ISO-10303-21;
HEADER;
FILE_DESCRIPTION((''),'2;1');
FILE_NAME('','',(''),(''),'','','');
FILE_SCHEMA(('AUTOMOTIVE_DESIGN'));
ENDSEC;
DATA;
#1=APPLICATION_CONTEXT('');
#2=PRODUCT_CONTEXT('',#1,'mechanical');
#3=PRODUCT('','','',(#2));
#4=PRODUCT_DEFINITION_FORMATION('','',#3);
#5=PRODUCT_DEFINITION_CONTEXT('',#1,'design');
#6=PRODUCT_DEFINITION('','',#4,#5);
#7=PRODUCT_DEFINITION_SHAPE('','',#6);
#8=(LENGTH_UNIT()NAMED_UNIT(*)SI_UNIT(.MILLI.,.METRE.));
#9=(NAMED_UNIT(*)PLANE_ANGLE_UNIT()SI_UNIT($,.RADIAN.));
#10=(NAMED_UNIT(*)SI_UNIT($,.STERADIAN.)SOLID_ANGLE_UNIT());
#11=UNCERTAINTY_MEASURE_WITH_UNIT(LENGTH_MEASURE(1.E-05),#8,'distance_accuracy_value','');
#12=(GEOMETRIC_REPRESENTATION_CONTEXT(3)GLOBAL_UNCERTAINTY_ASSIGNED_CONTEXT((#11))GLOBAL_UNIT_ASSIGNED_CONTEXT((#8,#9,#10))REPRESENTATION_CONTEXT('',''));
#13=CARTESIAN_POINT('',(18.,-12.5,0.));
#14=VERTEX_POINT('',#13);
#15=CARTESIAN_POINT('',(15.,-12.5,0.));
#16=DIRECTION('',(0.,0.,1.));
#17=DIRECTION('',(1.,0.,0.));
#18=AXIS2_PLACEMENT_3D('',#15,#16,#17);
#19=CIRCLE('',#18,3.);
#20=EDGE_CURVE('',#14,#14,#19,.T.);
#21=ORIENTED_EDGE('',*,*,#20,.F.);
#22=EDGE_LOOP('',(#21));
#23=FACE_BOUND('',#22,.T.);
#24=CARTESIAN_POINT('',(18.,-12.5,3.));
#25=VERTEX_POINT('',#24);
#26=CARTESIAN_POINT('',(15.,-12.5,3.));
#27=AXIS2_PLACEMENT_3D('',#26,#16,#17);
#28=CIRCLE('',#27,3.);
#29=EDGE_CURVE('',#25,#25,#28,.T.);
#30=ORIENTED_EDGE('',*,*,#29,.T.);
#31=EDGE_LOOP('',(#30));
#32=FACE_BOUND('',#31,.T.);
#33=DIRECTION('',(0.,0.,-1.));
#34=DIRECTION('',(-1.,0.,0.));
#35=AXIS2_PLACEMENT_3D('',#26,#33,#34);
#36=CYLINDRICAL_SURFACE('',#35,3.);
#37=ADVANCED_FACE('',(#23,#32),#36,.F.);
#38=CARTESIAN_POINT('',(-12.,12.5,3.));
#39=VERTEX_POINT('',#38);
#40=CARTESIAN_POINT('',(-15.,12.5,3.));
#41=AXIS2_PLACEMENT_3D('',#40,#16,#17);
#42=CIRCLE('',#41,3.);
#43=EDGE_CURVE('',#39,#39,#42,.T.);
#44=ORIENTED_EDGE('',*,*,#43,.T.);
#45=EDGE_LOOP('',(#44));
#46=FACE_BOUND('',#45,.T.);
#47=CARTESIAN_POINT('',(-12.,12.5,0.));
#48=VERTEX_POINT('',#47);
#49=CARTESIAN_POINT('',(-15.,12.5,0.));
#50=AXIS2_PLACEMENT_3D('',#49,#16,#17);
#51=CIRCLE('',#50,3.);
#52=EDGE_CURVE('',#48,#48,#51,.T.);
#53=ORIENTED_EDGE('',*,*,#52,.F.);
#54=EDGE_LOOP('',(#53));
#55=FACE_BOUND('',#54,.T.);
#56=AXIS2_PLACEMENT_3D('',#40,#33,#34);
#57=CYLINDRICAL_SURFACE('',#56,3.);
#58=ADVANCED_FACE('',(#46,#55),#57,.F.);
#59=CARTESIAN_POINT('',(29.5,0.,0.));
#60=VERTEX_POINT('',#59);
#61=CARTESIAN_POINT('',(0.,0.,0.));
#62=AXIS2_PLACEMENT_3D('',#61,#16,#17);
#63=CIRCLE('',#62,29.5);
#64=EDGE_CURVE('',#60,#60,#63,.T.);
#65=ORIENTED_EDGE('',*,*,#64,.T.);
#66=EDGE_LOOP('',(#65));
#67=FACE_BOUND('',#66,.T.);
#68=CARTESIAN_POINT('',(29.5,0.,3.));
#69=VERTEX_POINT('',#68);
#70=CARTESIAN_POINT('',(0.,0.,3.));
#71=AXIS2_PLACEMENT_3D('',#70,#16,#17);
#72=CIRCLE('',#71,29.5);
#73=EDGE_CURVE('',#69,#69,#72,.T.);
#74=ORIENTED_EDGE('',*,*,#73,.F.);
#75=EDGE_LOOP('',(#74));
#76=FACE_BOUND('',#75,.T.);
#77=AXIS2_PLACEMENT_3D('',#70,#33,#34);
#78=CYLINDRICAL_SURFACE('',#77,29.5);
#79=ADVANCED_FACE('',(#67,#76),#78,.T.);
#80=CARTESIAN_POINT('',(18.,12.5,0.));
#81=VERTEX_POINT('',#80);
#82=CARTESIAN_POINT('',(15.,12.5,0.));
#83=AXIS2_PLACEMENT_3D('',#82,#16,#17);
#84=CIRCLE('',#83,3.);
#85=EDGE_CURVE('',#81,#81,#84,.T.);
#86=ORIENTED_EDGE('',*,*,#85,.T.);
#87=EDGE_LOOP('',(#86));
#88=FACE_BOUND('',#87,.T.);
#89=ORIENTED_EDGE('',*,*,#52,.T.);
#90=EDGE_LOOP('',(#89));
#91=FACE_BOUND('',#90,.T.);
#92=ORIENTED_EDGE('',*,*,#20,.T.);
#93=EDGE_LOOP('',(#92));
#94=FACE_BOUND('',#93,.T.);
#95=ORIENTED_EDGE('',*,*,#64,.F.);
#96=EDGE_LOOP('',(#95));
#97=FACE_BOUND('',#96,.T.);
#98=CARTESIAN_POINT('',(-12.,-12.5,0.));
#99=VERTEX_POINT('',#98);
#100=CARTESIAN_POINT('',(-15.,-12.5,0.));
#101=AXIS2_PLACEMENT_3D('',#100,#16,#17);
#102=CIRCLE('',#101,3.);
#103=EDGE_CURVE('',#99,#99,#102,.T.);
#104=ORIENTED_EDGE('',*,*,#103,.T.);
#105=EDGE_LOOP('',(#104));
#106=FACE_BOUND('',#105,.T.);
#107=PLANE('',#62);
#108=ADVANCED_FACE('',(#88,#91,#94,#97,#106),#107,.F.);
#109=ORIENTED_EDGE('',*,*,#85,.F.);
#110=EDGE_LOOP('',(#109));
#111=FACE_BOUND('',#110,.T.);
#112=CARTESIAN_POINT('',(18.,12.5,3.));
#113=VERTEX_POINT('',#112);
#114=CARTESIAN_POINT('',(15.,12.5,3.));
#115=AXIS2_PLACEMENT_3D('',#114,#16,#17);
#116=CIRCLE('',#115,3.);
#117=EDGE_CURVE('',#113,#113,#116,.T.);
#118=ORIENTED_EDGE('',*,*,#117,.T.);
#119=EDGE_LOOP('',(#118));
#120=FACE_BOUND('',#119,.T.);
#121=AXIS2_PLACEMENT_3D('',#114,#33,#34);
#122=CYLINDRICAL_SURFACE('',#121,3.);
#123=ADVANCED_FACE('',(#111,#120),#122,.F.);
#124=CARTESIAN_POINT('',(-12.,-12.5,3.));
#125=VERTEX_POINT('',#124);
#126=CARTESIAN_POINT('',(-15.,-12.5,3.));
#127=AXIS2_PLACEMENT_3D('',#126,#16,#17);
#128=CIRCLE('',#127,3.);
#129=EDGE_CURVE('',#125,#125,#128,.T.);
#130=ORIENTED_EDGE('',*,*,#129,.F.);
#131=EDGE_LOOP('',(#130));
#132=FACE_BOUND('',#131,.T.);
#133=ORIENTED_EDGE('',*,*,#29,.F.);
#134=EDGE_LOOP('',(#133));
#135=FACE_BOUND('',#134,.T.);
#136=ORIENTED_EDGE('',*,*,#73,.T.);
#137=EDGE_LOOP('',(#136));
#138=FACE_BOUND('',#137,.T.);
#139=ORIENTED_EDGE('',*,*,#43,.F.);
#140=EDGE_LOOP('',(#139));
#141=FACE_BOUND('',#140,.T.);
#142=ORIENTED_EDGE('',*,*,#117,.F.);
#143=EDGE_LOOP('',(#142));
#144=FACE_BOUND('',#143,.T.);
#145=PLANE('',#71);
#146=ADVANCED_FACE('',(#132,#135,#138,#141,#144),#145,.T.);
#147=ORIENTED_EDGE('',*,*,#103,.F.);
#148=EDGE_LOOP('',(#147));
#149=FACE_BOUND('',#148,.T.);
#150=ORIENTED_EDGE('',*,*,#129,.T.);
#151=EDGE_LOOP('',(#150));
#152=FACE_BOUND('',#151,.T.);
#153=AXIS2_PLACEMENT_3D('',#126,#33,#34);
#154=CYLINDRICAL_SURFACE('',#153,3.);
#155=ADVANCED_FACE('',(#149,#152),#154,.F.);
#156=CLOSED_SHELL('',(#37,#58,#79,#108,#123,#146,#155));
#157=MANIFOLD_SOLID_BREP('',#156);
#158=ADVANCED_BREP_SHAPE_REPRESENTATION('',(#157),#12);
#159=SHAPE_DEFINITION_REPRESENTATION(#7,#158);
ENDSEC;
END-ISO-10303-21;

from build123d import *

# Parameters (mm, degrees)
MODEL_R             = 29.5
MODEL_R_2           = 3
BOSS_EXTRUDE1_DEPTH = 3


with BuildPart() as part:
    # Model → Boss-Extrude1 (new body)
    with BuildSketch(Plane.XY):
        Circle(MODEL_R)
        with Locations((-15, -12.5)):
            Circle(MODEL_R_2, mode=Mode.SUBTRACT)
        with Locations((15, -12.5)):
            Circle(MODEL_R_2, mode=Mode.SUBTRACT)
        with Locations((15, 12.5)):
            Circle(MODEL_R_2, mode=Mode.SUBTRACT)
        with Locations((-15, 12.5)):
            Circle(MODEL_R_2, mode=Mode.SUBTRACT)
    extrude(amount=BOSS_EXTRUDE1_DEPTH)


solid = part.part
